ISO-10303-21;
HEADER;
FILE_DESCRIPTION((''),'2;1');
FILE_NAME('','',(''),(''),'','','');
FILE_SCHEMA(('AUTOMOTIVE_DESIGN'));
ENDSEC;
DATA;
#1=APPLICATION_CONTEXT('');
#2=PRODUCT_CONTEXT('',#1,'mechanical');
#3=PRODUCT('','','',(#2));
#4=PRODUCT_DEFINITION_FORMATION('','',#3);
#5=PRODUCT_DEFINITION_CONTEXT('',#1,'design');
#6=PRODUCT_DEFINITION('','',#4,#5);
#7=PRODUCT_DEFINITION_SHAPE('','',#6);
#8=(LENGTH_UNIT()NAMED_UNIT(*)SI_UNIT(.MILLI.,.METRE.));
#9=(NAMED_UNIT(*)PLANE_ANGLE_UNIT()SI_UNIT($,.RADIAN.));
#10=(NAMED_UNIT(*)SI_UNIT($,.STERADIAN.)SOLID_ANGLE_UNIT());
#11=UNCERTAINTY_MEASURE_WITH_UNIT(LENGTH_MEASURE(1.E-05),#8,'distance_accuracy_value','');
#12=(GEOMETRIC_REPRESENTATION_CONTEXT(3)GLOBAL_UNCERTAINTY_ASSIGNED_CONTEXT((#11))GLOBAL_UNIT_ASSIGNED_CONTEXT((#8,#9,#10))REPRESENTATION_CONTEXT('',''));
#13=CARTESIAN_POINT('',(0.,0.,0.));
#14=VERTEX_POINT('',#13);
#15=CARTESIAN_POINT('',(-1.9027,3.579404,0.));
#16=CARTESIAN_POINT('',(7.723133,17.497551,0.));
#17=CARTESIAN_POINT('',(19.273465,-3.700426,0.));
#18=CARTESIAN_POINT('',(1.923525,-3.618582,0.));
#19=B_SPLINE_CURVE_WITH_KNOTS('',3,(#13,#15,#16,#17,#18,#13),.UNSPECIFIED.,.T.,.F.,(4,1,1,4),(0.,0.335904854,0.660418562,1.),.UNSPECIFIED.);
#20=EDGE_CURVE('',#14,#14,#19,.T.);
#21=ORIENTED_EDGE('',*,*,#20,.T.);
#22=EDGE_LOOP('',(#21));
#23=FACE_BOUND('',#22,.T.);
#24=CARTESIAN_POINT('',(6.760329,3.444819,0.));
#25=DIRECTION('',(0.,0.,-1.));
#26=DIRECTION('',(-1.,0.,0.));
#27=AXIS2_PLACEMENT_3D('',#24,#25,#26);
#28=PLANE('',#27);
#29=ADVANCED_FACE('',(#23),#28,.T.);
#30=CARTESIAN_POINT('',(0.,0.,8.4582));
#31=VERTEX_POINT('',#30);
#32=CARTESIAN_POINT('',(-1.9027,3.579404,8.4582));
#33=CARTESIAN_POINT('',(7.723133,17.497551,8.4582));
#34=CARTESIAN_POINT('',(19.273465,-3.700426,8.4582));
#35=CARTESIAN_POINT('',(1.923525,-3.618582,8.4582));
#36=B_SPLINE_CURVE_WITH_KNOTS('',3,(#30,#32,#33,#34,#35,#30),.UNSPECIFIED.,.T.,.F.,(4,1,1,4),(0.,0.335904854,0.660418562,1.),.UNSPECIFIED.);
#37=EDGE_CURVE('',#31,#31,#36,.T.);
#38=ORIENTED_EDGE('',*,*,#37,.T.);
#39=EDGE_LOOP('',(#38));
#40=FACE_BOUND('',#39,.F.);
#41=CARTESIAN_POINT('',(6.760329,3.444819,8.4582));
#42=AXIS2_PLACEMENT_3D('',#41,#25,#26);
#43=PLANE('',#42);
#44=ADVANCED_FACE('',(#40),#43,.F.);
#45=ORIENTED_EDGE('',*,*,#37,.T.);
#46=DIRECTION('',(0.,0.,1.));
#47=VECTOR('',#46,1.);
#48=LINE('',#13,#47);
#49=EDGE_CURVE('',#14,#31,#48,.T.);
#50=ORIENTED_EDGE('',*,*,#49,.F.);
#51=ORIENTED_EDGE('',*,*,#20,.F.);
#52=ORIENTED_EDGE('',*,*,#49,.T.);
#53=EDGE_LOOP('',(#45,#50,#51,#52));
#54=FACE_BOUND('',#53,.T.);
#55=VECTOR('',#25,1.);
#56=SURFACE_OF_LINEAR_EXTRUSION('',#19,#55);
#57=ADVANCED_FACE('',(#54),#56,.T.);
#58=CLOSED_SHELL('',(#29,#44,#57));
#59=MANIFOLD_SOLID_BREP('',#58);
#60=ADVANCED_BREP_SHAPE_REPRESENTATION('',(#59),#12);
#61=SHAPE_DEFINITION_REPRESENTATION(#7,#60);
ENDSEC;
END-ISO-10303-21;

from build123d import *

# Parameters (mm, degrees)
F1_DEPTH = 8.4582


with BuildPart() as f1:
    # F0 (on Top) → F1 (new body)
    with BuildSketch(Plane.XY):
        with BuildLine():
            add(Edge.make_bspline(
                [(0, 0), (-1.902699689, 3.5794043672), (7.7231333983, 17.4975512421), (19.2734652383, -3.7004258732), (1.9235253333, -3.6185820696), (0, 0)],
                knots=[0, 0, 0, 0, 0.3359048537, 0.6604185624, 1, 1, 1, 1], degree=3))
        make_face()
    extrude(amount=F1_DEPTH)


solid = f1.part
